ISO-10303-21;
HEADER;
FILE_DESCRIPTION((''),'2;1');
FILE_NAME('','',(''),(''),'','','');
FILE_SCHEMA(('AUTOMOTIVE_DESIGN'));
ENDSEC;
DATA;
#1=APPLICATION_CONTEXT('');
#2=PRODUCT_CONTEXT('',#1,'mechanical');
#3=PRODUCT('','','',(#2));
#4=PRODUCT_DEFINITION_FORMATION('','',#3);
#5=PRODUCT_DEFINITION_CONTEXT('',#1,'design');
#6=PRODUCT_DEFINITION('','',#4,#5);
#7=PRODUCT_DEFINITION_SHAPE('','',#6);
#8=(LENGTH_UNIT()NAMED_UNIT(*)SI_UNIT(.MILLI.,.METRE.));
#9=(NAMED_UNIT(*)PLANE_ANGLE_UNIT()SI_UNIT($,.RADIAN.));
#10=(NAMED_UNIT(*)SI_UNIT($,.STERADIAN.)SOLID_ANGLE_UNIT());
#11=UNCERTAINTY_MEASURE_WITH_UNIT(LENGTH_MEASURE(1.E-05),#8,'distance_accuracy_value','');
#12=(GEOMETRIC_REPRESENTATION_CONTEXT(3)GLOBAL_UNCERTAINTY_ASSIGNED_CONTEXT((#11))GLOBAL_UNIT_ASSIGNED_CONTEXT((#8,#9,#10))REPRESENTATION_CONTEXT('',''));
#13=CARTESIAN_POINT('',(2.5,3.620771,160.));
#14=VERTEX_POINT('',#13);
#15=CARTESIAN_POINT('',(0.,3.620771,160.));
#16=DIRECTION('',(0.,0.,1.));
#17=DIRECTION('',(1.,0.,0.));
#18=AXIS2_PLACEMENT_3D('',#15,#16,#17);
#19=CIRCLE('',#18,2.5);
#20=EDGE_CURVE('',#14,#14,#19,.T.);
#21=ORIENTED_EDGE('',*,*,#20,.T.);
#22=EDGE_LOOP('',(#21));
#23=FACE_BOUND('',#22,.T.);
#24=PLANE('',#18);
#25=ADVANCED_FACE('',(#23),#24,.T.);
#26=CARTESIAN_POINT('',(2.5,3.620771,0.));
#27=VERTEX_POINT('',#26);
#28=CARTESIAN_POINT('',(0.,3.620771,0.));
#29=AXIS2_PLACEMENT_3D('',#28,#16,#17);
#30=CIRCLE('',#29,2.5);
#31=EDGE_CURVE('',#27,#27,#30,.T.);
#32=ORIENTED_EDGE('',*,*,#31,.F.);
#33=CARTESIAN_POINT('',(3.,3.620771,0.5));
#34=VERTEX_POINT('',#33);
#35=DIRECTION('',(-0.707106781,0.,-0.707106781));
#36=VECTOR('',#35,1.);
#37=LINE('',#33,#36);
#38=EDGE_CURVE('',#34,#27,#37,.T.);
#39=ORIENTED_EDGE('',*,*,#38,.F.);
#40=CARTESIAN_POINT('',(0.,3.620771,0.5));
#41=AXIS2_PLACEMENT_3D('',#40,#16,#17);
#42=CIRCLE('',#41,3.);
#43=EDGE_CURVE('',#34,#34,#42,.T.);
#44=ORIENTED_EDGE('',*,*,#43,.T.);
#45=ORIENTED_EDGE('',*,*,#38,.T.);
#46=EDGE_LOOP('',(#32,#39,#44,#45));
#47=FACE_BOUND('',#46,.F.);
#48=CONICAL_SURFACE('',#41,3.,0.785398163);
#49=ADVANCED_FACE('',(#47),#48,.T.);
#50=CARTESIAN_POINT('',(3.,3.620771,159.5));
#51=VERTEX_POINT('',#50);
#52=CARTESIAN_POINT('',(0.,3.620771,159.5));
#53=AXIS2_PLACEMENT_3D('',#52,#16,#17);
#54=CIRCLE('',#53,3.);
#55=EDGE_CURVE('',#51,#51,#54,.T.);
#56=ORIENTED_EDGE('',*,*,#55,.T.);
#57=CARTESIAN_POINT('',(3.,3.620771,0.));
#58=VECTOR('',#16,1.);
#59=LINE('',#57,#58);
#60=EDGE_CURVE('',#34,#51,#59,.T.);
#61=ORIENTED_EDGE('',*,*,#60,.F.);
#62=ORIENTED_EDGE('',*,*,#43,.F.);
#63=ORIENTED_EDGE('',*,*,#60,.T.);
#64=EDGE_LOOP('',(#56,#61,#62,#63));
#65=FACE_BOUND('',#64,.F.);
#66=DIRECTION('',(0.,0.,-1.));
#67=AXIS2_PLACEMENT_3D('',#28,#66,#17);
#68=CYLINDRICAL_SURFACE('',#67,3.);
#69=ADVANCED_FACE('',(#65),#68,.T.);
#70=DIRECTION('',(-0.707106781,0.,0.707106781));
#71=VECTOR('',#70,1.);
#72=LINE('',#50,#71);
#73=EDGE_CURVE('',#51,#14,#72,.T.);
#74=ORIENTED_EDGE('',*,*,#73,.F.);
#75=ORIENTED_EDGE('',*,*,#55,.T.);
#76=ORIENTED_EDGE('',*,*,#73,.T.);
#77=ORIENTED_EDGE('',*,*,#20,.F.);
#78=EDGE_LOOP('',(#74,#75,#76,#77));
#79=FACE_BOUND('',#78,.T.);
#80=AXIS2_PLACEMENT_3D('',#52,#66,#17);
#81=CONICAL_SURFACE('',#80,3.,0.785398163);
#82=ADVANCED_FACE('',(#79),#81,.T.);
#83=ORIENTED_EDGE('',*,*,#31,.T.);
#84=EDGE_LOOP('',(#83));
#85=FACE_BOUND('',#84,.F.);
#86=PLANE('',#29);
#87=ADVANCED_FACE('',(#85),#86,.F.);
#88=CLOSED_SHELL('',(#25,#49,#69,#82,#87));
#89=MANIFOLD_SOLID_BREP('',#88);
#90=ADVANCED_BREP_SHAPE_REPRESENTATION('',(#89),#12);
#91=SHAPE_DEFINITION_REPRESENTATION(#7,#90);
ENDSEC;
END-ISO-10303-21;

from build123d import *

# Parameters (mm, degrees)
SKETCH1_R           = 3
BOSS_EXTRUDE1_DEPTH = 160
CHAMFER1_SIZE       = 0.5
CHAMFER2_SIZE       = 0.5


with BuildPart() as part:
    # Sketch1 → Boss-Extrude1 (new body)
    with BuildSketch(Plane.XY):
        with Locations((0, 3.620771249)):
            Circle(SKETCH1_R)
    extrude(amount=BOSS_EXTRUDE1_DEPTH)

    # Chamfer1
    chamfer1_edges = [part.edges().sort_by_distance(p)[0] for p in [
        (-3, 3.620771249, 160),
    ]]
    chamfer(chamfer1_edges, length=CHAMFER1_SIZE)

    # Chamfer2
    chamfer2_edges = [part.edges().sort_by_distance(p)[0] for p in [
        (-3, 3.620771249, 0),
    ]]
    chamfer(chamfer2_edges, length=CHAMFER2_SIZE)


solid = part.part
